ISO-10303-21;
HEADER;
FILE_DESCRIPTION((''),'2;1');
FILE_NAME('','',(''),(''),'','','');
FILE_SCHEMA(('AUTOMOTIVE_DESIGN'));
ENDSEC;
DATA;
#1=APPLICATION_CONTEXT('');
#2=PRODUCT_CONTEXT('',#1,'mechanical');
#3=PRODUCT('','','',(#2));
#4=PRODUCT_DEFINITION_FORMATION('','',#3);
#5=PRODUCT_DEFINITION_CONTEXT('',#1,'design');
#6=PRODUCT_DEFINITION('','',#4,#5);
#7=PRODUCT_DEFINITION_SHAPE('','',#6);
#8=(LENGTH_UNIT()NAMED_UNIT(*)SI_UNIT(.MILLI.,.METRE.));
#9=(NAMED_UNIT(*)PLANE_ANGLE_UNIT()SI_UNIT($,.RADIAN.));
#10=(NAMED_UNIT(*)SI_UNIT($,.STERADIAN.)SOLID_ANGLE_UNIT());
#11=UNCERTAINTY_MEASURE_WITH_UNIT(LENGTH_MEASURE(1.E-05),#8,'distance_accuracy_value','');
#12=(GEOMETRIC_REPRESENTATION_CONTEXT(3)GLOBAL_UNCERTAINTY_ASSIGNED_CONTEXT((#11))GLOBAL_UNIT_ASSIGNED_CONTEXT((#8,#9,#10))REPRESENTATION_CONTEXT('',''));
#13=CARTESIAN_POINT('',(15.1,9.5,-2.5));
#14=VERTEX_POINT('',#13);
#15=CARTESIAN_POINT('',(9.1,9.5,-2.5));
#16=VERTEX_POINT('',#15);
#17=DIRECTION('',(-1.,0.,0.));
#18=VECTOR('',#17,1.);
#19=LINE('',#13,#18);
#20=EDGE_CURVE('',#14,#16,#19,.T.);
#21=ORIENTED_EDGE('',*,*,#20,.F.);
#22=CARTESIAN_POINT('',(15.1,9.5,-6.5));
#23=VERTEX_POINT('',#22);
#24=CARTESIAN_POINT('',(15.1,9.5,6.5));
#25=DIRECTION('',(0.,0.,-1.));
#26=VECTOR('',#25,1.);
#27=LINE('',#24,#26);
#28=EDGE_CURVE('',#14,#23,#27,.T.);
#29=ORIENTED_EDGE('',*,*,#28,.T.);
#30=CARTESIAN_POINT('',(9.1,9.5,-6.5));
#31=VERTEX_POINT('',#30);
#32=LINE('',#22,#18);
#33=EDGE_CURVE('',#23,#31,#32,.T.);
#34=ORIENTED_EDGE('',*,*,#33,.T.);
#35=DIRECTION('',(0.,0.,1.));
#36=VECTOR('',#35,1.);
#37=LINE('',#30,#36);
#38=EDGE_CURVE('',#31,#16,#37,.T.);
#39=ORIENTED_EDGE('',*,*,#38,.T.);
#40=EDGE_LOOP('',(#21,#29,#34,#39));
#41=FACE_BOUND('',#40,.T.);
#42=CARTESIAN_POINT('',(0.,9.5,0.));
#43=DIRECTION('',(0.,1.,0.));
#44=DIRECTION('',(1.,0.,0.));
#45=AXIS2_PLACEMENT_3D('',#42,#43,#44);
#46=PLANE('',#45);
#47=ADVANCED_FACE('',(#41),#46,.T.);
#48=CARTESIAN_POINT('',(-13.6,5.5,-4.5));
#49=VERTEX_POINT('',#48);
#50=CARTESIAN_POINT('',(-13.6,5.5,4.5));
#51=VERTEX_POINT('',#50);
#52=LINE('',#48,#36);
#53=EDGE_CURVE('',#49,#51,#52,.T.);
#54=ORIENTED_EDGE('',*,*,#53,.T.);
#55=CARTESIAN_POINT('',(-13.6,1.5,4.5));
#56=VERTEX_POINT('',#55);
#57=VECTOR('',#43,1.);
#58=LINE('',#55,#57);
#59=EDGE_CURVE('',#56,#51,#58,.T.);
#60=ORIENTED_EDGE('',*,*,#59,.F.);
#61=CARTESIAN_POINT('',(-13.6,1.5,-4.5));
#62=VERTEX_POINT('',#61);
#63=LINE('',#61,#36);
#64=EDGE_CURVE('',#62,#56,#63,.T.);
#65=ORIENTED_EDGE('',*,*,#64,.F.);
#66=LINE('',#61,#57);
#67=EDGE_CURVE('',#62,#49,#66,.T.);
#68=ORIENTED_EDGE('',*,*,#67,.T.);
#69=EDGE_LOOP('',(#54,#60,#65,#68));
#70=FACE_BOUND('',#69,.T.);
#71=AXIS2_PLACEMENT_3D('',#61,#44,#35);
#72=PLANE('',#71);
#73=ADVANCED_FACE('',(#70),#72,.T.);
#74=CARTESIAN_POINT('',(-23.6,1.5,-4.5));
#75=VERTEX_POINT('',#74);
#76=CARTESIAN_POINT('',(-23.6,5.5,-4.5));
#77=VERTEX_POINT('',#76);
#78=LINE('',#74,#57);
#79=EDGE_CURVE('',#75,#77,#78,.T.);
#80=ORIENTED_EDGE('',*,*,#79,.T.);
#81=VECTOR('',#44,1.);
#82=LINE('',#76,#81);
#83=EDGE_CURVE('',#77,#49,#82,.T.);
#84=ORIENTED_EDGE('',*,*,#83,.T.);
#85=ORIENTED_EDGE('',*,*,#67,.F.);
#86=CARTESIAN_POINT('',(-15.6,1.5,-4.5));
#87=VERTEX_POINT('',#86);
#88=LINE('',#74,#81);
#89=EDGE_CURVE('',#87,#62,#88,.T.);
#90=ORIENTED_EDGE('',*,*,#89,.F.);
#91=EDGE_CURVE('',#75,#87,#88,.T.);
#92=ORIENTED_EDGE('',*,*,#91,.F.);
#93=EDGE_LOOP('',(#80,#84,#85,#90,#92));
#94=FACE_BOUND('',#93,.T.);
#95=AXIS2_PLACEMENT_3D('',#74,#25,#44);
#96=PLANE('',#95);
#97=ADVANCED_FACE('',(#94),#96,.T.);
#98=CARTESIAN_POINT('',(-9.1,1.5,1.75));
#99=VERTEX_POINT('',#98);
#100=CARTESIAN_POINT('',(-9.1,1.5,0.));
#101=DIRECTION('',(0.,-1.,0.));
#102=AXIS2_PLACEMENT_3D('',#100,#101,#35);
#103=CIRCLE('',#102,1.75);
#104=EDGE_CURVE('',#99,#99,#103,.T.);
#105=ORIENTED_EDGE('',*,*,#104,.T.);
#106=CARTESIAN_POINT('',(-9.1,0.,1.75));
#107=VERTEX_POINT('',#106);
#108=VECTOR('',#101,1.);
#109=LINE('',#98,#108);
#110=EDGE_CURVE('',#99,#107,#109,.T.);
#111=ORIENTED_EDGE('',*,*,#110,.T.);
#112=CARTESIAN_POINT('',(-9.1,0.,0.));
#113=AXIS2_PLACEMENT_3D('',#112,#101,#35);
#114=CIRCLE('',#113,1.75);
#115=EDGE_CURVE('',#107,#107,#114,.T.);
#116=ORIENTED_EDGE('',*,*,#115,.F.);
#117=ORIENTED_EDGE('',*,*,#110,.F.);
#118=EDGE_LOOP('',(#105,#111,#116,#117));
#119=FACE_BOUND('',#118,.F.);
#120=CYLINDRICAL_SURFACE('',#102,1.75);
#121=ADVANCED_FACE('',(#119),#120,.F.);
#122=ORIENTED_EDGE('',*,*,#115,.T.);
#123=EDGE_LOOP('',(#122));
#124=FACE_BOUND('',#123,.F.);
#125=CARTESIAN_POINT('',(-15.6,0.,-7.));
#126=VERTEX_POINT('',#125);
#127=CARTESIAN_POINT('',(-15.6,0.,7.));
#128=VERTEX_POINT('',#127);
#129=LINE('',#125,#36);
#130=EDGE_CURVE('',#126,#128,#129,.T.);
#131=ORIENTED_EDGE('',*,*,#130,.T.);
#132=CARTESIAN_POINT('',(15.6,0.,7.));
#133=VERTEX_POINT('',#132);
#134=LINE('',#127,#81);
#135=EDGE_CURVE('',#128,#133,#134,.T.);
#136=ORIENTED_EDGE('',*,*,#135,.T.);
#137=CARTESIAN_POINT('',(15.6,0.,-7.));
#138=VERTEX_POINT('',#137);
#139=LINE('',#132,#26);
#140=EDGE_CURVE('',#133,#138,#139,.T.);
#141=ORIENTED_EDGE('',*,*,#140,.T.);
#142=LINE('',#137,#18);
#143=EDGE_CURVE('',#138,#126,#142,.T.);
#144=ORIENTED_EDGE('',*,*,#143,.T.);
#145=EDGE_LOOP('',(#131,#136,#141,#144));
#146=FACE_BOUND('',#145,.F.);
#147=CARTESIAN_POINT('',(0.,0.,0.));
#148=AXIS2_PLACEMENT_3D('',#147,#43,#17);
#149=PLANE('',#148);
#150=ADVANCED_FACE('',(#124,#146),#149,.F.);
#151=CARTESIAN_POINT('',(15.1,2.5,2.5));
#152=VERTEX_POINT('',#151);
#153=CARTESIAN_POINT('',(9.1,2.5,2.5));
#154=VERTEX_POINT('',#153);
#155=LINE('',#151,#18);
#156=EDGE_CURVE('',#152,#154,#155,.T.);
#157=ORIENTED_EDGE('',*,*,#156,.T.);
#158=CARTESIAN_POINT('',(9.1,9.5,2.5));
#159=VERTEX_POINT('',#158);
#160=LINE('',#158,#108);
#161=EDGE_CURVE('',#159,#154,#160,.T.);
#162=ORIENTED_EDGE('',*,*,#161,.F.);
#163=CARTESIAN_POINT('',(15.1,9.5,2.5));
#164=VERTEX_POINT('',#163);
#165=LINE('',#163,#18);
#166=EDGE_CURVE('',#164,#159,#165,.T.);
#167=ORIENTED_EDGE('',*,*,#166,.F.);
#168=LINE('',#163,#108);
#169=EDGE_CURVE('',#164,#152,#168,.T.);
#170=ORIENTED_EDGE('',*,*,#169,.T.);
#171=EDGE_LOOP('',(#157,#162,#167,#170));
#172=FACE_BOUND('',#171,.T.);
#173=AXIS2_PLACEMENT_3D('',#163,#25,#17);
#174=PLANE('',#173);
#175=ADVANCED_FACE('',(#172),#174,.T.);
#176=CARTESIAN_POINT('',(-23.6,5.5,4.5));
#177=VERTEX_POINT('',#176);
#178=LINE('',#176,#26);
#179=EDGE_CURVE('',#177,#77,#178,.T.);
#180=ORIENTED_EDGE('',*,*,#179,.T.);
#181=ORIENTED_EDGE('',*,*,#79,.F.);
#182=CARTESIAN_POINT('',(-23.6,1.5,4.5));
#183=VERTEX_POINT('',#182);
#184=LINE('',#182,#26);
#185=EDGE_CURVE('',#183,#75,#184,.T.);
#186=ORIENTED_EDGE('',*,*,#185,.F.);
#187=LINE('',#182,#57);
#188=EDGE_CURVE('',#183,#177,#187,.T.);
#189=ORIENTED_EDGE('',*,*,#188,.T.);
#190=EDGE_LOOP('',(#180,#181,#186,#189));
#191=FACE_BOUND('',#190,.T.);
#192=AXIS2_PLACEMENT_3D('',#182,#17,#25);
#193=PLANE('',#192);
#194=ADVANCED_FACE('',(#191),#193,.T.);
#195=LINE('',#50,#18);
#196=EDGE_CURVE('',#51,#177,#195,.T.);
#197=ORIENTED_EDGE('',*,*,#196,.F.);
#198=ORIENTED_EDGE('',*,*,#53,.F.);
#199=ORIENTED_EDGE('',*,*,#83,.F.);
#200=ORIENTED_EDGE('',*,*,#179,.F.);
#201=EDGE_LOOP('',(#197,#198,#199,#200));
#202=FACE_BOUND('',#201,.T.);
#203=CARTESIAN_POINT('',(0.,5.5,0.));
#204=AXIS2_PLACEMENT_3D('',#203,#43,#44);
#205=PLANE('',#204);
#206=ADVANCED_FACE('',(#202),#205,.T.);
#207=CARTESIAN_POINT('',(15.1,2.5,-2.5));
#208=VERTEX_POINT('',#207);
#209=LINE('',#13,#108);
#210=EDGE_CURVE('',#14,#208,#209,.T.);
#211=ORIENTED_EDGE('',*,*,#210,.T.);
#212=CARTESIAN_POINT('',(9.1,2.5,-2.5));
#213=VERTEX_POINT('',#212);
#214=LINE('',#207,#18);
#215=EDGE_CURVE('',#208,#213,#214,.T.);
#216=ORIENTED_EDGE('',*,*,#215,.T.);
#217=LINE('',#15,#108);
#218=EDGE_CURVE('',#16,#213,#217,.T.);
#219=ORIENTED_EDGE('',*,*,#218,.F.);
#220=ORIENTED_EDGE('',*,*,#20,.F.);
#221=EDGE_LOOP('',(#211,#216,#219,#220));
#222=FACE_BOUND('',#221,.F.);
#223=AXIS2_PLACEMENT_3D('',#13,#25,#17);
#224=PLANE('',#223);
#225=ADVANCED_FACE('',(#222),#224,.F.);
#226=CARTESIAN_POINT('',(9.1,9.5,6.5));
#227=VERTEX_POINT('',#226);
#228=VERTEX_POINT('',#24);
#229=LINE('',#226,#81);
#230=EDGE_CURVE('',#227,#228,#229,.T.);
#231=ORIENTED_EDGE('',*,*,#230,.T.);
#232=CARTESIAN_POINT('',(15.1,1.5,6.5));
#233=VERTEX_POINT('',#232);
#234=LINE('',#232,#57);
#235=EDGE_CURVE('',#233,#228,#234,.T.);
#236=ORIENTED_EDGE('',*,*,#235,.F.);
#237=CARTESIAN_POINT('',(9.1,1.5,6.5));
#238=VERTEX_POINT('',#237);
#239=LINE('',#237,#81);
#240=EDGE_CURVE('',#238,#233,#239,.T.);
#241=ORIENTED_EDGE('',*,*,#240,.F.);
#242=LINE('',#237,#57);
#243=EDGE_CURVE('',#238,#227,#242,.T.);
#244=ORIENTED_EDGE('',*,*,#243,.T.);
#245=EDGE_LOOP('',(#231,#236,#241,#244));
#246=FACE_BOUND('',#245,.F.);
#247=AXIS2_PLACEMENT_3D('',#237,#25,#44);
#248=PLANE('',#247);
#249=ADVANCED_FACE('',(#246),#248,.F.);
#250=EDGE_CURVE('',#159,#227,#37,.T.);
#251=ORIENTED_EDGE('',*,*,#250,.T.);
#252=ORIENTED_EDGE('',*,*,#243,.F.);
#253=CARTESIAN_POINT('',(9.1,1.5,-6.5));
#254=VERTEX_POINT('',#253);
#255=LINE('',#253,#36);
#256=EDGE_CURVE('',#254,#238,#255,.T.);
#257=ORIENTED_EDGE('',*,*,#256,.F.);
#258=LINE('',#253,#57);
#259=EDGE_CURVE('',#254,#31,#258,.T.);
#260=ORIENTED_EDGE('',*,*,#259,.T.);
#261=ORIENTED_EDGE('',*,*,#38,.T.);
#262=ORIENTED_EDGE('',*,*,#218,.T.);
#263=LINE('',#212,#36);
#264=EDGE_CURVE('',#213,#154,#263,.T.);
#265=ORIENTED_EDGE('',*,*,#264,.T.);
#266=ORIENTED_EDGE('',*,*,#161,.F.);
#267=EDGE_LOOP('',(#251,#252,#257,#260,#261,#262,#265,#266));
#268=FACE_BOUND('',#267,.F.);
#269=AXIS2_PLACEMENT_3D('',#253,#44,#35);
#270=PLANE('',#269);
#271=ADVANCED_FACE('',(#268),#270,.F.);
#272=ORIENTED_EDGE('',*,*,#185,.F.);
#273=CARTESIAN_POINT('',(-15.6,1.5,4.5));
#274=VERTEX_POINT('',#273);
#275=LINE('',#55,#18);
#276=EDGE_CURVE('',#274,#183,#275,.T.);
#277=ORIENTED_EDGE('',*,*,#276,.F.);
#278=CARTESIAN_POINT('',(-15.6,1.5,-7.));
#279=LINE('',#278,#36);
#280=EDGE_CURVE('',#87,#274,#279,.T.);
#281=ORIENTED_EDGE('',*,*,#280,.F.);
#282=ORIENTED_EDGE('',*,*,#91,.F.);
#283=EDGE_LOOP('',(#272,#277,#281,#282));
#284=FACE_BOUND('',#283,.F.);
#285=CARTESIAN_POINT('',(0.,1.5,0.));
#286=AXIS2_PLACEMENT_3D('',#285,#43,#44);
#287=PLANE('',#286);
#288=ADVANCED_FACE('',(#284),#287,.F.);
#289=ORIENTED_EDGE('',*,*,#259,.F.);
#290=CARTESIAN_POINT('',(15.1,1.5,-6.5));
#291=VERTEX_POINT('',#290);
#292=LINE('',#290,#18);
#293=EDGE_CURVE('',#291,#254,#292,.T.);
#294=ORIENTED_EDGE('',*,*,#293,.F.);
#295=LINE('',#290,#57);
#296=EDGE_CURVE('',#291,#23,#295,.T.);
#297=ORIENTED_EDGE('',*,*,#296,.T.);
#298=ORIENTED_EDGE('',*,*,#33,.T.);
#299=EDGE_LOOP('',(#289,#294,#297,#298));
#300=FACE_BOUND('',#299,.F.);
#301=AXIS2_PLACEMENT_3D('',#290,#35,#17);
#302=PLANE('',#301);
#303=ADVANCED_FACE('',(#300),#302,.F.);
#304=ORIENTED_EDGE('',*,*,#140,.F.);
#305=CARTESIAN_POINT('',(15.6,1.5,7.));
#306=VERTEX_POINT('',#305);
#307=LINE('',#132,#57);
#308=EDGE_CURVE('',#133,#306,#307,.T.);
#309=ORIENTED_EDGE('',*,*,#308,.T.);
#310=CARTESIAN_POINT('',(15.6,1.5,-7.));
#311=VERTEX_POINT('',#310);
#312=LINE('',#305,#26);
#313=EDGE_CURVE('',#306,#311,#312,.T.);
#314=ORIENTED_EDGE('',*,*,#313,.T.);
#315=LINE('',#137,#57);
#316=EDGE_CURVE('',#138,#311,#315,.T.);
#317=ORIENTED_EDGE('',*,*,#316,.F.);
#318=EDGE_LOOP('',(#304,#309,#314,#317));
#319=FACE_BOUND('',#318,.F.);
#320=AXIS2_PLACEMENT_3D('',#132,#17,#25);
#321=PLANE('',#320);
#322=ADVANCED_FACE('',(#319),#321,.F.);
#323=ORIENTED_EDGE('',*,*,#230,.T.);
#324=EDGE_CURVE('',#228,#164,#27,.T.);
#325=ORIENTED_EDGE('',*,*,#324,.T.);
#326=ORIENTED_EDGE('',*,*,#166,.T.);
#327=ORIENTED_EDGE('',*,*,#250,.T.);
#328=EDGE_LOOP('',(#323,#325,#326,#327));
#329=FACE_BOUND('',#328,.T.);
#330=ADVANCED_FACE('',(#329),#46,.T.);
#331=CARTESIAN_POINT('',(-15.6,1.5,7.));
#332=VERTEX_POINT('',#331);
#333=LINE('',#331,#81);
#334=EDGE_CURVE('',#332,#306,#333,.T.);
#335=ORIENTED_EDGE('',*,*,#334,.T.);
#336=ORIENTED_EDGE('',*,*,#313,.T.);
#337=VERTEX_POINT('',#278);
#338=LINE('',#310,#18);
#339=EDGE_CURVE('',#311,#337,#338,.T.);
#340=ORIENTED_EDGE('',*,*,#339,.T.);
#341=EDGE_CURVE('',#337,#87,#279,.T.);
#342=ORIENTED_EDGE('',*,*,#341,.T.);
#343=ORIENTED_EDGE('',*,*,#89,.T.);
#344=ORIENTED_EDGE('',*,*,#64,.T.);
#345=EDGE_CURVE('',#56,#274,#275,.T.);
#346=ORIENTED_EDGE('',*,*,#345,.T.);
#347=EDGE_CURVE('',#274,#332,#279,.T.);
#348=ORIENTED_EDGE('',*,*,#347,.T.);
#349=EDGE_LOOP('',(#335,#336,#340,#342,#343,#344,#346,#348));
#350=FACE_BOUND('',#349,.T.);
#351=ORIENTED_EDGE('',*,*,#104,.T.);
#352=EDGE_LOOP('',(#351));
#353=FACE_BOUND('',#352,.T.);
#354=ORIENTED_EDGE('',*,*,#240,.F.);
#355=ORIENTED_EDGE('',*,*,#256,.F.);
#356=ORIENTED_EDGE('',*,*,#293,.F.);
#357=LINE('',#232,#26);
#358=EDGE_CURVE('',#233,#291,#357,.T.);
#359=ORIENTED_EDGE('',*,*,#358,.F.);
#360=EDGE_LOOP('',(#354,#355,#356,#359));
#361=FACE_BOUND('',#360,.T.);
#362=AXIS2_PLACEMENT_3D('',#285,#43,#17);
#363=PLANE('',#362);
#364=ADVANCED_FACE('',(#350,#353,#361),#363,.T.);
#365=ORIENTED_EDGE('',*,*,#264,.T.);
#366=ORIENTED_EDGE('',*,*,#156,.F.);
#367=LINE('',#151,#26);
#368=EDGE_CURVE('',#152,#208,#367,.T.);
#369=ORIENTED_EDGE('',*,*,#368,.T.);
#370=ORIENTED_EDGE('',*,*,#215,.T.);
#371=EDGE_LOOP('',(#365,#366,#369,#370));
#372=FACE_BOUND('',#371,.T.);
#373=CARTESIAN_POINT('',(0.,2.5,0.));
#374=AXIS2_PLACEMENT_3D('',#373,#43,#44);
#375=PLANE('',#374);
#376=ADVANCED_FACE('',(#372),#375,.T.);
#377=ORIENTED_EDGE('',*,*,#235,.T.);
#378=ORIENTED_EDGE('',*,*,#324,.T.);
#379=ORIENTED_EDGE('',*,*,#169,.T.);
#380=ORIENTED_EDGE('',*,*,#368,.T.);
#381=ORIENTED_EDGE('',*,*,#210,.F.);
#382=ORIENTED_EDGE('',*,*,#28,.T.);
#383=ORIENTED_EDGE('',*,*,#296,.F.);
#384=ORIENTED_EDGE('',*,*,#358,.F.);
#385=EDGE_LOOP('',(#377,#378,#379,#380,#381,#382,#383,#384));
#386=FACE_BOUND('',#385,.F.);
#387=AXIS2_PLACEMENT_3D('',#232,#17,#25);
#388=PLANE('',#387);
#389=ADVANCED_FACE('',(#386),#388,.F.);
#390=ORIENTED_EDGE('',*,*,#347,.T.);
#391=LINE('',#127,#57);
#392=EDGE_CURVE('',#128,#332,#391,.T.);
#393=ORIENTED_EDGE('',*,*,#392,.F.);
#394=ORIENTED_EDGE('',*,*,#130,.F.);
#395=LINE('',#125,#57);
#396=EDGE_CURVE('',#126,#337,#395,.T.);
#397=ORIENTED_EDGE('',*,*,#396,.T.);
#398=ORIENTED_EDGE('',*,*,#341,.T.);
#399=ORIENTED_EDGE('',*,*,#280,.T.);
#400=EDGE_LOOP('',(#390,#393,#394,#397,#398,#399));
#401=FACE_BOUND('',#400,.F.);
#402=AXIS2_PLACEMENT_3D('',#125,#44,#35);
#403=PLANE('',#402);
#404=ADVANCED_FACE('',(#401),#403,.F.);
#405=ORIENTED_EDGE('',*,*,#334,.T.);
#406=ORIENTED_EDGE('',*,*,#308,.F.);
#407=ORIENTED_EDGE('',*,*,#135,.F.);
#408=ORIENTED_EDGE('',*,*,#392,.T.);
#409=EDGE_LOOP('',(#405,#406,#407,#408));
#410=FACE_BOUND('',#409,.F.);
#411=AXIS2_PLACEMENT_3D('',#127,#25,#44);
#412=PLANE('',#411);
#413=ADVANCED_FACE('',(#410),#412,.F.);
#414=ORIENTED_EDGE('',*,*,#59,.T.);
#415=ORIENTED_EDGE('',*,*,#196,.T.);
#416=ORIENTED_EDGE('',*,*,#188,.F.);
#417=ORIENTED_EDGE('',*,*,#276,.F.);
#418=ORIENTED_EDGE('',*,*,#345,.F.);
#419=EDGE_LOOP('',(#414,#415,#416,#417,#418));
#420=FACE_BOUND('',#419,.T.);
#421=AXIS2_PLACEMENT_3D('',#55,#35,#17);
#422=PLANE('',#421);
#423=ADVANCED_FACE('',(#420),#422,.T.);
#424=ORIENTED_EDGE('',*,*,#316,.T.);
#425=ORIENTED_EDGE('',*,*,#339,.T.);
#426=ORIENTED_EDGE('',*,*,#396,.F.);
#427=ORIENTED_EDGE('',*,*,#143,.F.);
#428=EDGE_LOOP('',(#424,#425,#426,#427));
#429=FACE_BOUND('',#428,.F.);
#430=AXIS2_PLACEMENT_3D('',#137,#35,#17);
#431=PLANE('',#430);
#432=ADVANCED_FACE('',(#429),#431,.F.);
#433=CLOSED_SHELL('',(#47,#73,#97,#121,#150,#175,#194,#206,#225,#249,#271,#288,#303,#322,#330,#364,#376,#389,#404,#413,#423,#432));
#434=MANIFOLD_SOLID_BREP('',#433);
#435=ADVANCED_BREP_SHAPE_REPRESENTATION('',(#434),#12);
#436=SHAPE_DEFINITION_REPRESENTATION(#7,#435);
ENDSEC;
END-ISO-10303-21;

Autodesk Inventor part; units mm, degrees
ref_plane "YZ Plane" through (0, 0, 0) normal (1, 0, 0) x (0, 1, 0)
ref_plane "XZ Plane" through (0, 0, 0) normal (0, 1, 0) x (-1, 0, 0)
ref_plane "XY Plane" through (0, 0, 0) normal (0, 0, 1) x (1, 0, 0)
sketch "Sketch1" plane through (0, 0, 0) normal (0, 1, 0) x (-1, 0, 0)
  line L0 (15.6, 7) -> (-15.6, 7)
  line L1 (-15.6, 7) -> (-15.6, -7)
  line L2 (-15.6, -7) -> (15.6, -7)
  line L3 (15.6, -7) -> (15.6, 7)
  line L4 (15.6, 7) -> (-15.6, -7) construction
  line L5 (-15.6, 7) -> (15.6, -7) construction
  point P0 (0, 0)
  dimension "d0" = 31.2
  dimension "d1" = 14
extrude "Extrusion1" add sketch "Sketch1" along normal blind 1.5
sketch "Sketch2" plane through (0, 1.5, 0) normal (0, 1, 0) x (1, 0, 0)
  line L0 (9.1, -6.5) -> (15.1, -6.5)
  line L1 (15.1, -6.5) -> (15.1, 6.5)
  line L2 (15.1, 6.5) -> (9.1, 6.5)
  line L3 (9.1, 6.5) -> (9.1, -6.5)
  line L4 (9.1, -6.5) -> (15.1, 6.5) construction
  line L5 (15.1, -6.5) -> (9.1, 6.5) construction
  line L6 (15.6, 7) -> (-15.6, 7) projected
  line L7 (15.6, -7) -> (15.6, 7) projected
  point P0 (0, 0)
  point P1 (12.1, 0)
  point P2 (15.1, 0)
  point P3 (15.1, 0)
  dimension "d4" = 6
  dimension "d5" = 13
  dimension "d6" = 7
  dimension "d7" = 0.5
extrude "Extrusion2" add sketch "Sketch2" along normal blind 8
sketch "Sketch3" plane through (0, 9.5, 0) normal (0, 1, 0) x (1, 0, 0)
  line L0 (15.1, -6.5) -> (15.1, 6.5) construction
  line L1 (15.1, 6.5) -> (9.1, 6.5) construction
  line L2 (9.1, 6.5) -> (9.1, -6.5) construction
  line L3 (9.1, -6.5) -> (15.1, -6.5) construction
  line L4 (9.1, -6.5) -> (15.1, -6.5)
  line L5 (15.1, -6.5) -> (15.1, -2.5)
  line L6 (15.1, -2.5) -> (9.1, -2.5)
  line L7 (9.1, -2.5) -> (9.1, -6.5)
  line L8 (9.1, 6.5) -> (15.1, 6.5)
  line L9 (15.1, 6.5) -> (15.1, 2.5)
  line L10 (15.1, 2.5) -> (9.1, 2.5)
  line L11 (9.1, 2.5) -> (9.1, 6.5)
  line L12 (9.1, -2.5) -> (15.1, -2.5)
  line L13 (15.1, -2.5) -> (15.1, 2.5)
  line L14 (15.1, 2.5) -> (9.1, 2.5)
  line L15 (9.1, 2.5) -> (9.1, -2.5)
  point P0 (0, 0)
  dimension "d10" = 4
  dimension "d11" = 4
extrude "Extrusion3" cut sketch "Sketch3" against normal blind 7 contours L15 L10 L13 L6
sketch "Sketch4" plane through (0, 1.5, 0) normal (0, 1, 0) x (1, 0, 0)
  line L0 (-15.6, 7) -> (-15.6, -7) construction
  line L1 (-15.6, 0) -> (-9.1, 0) construction
  point P0 (0, 0)
  dimension "d14" = 6.5
hole "Hole1" at (-9.1, 1.5, 0) direction (0, -1, 0) diameter 3.5 end through all
sketch "Sketch5" plane through (0, 1.5, 0) normal (0, 1, 0) x (1, 0, 0)
  circle A0 centre (-9.1, 0) radius 1.75 construction
  line L0 (15.1, -6.5) -> (9.1, -6.5) construction
  line L1 (9.1, -6.5) -> (9.1, 6.5) construction
  line L2 (9.1, 6.5) -> (15.1, 6.5) construction
  line L3 (15.1, 6.5) -> (15.1, -6.5) construction
  line L4 (15.6, -7) -> (15.6, 7) construction
  line L5 (15.6, 7) -> (-15.6, 7) construction
  line L6 (-15.6, 7) -> (-15.6, -7) construction
  line L7 (-15.6, -7) -> (15.6, -7) construction
  line L8 (-23.6, 4.5) -> (-13.6, 4.5)
  line L9 (-13.6, 4.5) -> (-13.6, -4.5)
  line L10 (-13.6, -4.5) -> (-23.6, -4.5)
  line L11 (-23.6, -4.5) -> (-23.6, 4.5)
  line L12 (-13.6, 7) -> (-13.6, -7) construction
  point P0 (0, 0)
  point P1 (-13.6, 0)
  dimension "d22" = 10
  dimension "d23" = 9
  dimension "d24" = 2
extrude "Extrusion4" add sketch "Sketch5" along normal blind 4
properties part number "irencoder_footprint"
